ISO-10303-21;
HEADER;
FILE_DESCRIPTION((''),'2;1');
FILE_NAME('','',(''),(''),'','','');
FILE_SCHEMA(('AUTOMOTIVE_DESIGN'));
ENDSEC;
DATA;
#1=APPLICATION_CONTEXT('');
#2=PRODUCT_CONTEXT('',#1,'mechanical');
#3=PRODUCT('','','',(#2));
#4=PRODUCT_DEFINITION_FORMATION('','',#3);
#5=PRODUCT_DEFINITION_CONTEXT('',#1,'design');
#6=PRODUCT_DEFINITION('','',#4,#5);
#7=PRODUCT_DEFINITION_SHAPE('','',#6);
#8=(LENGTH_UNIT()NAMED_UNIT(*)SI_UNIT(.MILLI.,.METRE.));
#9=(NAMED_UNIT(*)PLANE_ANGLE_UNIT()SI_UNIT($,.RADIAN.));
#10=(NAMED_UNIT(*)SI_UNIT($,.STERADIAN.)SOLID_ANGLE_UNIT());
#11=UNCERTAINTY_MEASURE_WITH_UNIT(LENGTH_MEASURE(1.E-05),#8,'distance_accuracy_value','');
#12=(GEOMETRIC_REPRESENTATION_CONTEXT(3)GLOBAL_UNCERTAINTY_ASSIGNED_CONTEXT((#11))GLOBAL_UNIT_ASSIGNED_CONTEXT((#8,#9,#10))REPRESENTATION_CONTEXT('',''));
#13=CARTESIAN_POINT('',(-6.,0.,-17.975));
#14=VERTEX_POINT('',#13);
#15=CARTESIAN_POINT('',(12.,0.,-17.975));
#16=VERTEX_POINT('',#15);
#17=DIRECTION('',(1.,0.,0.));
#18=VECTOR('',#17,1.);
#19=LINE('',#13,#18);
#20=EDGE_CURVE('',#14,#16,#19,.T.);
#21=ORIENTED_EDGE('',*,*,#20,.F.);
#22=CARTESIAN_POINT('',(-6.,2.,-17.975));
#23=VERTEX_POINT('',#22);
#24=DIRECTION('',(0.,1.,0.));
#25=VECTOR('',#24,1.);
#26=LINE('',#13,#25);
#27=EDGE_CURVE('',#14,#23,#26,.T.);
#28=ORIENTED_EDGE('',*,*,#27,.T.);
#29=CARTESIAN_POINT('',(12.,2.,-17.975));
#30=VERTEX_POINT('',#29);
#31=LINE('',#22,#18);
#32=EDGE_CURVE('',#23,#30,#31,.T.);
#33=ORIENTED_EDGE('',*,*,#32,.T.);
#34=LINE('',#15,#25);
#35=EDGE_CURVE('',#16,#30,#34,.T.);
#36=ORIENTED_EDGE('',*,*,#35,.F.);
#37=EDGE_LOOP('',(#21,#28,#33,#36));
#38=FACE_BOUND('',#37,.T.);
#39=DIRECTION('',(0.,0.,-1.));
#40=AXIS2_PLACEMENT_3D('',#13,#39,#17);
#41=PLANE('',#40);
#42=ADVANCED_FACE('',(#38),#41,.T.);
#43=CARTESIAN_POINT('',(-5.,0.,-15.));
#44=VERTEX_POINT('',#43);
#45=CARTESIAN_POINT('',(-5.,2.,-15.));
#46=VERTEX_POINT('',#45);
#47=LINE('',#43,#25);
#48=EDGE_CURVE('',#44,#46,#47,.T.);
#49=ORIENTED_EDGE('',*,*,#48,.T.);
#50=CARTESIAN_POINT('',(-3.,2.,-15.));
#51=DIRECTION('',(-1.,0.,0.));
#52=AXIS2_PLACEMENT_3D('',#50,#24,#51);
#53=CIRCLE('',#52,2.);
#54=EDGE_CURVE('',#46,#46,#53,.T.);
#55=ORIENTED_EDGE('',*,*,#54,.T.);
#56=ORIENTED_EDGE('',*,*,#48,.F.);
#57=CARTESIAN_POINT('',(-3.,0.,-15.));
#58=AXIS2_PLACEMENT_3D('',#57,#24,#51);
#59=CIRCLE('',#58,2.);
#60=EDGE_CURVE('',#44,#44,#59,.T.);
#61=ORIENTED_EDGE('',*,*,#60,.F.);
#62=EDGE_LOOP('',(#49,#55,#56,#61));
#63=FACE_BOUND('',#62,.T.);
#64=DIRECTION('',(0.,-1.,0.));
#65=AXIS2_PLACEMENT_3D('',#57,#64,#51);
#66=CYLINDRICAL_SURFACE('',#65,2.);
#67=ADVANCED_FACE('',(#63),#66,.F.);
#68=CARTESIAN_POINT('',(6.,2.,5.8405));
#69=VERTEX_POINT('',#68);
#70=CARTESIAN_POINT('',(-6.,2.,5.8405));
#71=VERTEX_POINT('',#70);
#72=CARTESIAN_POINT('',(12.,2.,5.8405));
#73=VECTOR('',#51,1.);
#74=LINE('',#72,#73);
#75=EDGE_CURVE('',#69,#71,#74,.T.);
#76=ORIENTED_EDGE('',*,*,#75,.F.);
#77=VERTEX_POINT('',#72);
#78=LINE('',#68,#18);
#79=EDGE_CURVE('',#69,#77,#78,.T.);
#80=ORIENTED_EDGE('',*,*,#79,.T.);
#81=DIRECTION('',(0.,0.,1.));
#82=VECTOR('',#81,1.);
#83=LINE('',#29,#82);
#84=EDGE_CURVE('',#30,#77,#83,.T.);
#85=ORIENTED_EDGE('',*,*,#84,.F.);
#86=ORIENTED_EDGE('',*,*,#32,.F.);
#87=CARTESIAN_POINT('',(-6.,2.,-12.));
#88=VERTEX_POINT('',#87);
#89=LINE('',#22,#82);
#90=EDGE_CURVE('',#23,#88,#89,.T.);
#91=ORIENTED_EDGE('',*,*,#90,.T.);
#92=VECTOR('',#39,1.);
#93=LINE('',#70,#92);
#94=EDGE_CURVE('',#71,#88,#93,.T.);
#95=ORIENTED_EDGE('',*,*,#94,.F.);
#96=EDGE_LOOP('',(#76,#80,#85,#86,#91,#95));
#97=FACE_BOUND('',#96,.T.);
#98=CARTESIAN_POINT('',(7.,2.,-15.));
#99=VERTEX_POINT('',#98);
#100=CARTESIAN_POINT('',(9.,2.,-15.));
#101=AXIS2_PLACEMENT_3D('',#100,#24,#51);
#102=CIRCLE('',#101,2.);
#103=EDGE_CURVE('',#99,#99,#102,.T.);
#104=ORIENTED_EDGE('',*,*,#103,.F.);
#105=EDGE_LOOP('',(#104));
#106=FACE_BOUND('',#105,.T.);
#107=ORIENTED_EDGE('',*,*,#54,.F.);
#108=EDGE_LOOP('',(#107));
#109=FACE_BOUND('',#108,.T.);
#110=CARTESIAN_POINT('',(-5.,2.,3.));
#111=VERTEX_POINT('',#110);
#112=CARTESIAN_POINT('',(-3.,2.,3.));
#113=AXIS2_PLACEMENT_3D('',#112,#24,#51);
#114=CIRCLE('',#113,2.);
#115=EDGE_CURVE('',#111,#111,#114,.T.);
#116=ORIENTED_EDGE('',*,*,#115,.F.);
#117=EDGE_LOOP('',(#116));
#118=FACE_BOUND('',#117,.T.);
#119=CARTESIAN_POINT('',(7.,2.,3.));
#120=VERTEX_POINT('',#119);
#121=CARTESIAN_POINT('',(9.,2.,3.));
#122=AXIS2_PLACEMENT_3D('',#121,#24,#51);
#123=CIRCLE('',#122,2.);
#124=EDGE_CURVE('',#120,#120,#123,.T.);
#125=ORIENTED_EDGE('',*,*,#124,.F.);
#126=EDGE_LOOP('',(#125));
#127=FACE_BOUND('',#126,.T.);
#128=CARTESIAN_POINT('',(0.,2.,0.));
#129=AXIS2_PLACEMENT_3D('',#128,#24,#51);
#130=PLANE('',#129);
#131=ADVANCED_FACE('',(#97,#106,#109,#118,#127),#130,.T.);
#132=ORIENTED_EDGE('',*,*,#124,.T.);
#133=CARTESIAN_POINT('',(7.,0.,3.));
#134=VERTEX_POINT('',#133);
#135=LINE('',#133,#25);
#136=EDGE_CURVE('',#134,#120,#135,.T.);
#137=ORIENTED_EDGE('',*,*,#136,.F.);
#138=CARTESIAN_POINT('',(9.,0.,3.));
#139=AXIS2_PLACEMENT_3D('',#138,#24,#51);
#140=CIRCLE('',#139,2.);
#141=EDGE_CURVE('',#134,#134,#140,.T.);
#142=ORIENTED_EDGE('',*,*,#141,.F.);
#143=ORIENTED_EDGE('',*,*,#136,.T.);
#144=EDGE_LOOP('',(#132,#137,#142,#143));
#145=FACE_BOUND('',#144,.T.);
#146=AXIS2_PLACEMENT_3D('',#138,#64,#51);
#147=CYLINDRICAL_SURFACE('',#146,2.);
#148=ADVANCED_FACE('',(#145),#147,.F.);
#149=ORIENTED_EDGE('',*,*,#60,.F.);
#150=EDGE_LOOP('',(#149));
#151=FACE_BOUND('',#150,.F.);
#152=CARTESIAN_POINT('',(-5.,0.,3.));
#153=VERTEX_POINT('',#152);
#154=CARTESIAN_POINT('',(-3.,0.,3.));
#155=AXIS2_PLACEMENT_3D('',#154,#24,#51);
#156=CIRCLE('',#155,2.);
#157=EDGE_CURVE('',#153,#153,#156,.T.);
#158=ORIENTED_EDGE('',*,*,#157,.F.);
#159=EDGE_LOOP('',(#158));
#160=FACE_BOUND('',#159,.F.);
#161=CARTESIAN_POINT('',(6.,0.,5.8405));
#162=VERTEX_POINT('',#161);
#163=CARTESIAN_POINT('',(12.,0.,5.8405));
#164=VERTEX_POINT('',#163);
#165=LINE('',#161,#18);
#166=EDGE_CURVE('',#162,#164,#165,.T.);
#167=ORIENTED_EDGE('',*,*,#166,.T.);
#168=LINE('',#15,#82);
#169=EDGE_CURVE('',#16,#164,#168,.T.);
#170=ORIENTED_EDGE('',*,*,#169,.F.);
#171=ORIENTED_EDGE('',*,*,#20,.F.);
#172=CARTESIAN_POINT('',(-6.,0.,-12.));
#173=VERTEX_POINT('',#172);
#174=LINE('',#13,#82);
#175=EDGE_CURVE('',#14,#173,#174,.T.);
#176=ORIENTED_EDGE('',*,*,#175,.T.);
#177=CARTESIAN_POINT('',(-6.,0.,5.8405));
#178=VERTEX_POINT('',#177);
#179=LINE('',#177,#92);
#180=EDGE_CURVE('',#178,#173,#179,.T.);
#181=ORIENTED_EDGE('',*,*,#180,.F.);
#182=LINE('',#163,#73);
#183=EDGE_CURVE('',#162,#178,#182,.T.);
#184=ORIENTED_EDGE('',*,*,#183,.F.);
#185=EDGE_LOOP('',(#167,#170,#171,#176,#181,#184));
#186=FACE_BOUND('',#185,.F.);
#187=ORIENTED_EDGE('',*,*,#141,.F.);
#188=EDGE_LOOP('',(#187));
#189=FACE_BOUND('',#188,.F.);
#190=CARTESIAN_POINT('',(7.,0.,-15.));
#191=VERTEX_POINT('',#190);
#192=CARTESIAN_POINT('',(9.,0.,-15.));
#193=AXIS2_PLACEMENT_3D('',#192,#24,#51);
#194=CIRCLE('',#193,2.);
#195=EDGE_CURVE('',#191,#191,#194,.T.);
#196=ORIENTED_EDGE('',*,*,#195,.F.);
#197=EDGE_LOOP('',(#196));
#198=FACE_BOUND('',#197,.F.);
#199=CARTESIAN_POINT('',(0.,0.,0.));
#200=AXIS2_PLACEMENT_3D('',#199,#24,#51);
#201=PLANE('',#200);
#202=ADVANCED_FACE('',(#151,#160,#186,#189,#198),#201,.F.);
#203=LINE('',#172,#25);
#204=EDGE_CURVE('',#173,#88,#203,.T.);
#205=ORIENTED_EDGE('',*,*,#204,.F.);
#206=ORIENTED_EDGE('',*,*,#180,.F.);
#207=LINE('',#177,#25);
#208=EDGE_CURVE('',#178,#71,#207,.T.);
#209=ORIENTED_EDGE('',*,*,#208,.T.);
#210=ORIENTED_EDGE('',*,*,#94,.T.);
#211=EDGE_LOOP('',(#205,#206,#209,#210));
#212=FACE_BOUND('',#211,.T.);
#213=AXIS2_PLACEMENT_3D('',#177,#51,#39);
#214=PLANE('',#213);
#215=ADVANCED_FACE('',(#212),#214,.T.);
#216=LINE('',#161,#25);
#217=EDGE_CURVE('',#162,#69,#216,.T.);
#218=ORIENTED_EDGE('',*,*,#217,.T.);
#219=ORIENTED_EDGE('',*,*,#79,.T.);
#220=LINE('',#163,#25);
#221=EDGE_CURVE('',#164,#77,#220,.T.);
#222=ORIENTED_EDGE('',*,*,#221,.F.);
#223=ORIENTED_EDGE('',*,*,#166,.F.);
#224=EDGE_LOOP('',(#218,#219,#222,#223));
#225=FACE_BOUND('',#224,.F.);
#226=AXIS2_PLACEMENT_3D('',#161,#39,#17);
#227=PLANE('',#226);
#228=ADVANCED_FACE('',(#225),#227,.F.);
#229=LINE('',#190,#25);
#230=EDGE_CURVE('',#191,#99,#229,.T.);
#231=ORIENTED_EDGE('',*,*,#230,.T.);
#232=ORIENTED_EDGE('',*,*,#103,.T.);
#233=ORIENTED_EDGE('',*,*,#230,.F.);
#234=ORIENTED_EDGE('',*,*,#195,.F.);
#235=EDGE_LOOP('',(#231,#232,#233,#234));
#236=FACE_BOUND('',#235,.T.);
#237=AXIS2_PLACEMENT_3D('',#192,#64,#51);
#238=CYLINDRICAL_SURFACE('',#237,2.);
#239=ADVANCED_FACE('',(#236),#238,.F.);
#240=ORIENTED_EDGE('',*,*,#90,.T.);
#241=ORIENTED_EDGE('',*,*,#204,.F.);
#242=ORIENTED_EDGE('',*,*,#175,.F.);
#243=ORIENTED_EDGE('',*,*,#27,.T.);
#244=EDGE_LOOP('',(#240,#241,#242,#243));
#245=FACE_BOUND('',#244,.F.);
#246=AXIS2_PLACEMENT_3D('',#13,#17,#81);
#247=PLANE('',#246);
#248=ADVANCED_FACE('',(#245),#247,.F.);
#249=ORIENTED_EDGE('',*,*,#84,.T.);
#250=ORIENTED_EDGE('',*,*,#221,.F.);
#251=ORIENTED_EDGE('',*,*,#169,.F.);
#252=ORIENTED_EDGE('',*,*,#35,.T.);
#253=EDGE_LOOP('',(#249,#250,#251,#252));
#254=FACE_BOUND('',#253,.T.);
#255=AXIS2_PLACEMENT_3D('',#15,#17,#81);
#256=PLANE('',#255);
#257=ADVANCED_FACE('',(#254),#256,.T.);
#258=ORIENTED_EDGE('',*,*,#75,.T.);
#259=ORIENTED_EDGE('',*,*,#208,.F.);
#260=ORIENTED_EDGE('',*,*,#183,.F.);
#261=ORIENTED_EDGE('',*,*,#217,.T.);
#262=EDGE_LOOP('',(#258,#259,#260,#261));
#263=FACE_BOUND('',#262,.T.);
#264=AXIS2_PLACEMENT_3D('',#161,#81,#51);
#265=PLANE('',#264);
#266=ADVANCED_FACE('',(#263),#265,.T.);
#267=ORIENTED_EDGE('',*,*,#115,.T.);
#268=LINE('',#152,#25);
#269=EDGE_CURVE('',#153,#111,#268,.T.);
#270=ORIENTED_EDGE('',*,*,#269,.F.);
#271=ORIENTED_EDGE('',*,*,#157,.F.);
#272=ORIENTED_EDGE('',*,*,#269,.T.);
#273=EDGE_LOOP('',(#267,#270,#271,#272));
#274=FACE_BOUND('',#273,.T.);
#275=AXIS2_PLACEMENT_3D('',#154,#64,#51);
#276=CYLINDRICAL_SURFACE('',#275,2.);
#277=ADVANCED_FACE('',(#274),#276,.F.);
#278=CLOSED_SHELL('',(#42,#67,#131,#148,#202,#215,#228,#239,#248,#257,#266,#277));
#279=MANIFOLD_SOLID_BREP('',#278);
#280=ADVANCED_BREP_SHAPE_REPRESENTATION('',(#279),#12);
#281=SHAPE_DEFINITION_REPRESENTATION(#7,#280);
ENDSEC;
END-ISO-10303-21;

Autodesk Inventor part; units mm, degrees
ref_plane "YZ Plane" through (0, 0, 0) normal (1, 0, 0) x (0, 1, 0)
ref_plane "XZ Plane" through (0, 0, 0) normal (0, 1, 0) x (-1, 0, 0)
ref_plane "XY Plane" through (0, 0, 0) normal (0, 0, 1) x (1, 0, 0)
sketch "Sketch1" plane through (0, 0, 0) normal (0, 1, 0) x (-1, 0, 0)
  line L0 (-6, 5.8405) -> (-12, 5.8405)
  line L1 (6, -17.975) -> (6, -12)
  line L2 (-12, 5.8405) -> (6, 5.8405)
  line L3 (6, 5.8405) -> (6, -17.975)
  line L4 (6, -17.975) -> (-12, -17.975)
  line L5 (-12, -17.975) -> (-12, 5.8405)
  circle A0 centre (-9, 3) radius 2
  circle A1 centre (-9, 3) radius 2
  circle A2 centre (3, 3) radius 2
  circle A3 centre (3, 3) radius 2
  circle A4 centre (3, -15) radius 2
  circle A5 centre (3, -15) radius 2
  circle A6 centre (-9, -15) radius 2
  point P0 (-3, 3)
  dimension "d2" = 12
extrude "Extrusion1" add sketch "Sketch1" along normal blind 2
properties part number "XL_XL_interface"
